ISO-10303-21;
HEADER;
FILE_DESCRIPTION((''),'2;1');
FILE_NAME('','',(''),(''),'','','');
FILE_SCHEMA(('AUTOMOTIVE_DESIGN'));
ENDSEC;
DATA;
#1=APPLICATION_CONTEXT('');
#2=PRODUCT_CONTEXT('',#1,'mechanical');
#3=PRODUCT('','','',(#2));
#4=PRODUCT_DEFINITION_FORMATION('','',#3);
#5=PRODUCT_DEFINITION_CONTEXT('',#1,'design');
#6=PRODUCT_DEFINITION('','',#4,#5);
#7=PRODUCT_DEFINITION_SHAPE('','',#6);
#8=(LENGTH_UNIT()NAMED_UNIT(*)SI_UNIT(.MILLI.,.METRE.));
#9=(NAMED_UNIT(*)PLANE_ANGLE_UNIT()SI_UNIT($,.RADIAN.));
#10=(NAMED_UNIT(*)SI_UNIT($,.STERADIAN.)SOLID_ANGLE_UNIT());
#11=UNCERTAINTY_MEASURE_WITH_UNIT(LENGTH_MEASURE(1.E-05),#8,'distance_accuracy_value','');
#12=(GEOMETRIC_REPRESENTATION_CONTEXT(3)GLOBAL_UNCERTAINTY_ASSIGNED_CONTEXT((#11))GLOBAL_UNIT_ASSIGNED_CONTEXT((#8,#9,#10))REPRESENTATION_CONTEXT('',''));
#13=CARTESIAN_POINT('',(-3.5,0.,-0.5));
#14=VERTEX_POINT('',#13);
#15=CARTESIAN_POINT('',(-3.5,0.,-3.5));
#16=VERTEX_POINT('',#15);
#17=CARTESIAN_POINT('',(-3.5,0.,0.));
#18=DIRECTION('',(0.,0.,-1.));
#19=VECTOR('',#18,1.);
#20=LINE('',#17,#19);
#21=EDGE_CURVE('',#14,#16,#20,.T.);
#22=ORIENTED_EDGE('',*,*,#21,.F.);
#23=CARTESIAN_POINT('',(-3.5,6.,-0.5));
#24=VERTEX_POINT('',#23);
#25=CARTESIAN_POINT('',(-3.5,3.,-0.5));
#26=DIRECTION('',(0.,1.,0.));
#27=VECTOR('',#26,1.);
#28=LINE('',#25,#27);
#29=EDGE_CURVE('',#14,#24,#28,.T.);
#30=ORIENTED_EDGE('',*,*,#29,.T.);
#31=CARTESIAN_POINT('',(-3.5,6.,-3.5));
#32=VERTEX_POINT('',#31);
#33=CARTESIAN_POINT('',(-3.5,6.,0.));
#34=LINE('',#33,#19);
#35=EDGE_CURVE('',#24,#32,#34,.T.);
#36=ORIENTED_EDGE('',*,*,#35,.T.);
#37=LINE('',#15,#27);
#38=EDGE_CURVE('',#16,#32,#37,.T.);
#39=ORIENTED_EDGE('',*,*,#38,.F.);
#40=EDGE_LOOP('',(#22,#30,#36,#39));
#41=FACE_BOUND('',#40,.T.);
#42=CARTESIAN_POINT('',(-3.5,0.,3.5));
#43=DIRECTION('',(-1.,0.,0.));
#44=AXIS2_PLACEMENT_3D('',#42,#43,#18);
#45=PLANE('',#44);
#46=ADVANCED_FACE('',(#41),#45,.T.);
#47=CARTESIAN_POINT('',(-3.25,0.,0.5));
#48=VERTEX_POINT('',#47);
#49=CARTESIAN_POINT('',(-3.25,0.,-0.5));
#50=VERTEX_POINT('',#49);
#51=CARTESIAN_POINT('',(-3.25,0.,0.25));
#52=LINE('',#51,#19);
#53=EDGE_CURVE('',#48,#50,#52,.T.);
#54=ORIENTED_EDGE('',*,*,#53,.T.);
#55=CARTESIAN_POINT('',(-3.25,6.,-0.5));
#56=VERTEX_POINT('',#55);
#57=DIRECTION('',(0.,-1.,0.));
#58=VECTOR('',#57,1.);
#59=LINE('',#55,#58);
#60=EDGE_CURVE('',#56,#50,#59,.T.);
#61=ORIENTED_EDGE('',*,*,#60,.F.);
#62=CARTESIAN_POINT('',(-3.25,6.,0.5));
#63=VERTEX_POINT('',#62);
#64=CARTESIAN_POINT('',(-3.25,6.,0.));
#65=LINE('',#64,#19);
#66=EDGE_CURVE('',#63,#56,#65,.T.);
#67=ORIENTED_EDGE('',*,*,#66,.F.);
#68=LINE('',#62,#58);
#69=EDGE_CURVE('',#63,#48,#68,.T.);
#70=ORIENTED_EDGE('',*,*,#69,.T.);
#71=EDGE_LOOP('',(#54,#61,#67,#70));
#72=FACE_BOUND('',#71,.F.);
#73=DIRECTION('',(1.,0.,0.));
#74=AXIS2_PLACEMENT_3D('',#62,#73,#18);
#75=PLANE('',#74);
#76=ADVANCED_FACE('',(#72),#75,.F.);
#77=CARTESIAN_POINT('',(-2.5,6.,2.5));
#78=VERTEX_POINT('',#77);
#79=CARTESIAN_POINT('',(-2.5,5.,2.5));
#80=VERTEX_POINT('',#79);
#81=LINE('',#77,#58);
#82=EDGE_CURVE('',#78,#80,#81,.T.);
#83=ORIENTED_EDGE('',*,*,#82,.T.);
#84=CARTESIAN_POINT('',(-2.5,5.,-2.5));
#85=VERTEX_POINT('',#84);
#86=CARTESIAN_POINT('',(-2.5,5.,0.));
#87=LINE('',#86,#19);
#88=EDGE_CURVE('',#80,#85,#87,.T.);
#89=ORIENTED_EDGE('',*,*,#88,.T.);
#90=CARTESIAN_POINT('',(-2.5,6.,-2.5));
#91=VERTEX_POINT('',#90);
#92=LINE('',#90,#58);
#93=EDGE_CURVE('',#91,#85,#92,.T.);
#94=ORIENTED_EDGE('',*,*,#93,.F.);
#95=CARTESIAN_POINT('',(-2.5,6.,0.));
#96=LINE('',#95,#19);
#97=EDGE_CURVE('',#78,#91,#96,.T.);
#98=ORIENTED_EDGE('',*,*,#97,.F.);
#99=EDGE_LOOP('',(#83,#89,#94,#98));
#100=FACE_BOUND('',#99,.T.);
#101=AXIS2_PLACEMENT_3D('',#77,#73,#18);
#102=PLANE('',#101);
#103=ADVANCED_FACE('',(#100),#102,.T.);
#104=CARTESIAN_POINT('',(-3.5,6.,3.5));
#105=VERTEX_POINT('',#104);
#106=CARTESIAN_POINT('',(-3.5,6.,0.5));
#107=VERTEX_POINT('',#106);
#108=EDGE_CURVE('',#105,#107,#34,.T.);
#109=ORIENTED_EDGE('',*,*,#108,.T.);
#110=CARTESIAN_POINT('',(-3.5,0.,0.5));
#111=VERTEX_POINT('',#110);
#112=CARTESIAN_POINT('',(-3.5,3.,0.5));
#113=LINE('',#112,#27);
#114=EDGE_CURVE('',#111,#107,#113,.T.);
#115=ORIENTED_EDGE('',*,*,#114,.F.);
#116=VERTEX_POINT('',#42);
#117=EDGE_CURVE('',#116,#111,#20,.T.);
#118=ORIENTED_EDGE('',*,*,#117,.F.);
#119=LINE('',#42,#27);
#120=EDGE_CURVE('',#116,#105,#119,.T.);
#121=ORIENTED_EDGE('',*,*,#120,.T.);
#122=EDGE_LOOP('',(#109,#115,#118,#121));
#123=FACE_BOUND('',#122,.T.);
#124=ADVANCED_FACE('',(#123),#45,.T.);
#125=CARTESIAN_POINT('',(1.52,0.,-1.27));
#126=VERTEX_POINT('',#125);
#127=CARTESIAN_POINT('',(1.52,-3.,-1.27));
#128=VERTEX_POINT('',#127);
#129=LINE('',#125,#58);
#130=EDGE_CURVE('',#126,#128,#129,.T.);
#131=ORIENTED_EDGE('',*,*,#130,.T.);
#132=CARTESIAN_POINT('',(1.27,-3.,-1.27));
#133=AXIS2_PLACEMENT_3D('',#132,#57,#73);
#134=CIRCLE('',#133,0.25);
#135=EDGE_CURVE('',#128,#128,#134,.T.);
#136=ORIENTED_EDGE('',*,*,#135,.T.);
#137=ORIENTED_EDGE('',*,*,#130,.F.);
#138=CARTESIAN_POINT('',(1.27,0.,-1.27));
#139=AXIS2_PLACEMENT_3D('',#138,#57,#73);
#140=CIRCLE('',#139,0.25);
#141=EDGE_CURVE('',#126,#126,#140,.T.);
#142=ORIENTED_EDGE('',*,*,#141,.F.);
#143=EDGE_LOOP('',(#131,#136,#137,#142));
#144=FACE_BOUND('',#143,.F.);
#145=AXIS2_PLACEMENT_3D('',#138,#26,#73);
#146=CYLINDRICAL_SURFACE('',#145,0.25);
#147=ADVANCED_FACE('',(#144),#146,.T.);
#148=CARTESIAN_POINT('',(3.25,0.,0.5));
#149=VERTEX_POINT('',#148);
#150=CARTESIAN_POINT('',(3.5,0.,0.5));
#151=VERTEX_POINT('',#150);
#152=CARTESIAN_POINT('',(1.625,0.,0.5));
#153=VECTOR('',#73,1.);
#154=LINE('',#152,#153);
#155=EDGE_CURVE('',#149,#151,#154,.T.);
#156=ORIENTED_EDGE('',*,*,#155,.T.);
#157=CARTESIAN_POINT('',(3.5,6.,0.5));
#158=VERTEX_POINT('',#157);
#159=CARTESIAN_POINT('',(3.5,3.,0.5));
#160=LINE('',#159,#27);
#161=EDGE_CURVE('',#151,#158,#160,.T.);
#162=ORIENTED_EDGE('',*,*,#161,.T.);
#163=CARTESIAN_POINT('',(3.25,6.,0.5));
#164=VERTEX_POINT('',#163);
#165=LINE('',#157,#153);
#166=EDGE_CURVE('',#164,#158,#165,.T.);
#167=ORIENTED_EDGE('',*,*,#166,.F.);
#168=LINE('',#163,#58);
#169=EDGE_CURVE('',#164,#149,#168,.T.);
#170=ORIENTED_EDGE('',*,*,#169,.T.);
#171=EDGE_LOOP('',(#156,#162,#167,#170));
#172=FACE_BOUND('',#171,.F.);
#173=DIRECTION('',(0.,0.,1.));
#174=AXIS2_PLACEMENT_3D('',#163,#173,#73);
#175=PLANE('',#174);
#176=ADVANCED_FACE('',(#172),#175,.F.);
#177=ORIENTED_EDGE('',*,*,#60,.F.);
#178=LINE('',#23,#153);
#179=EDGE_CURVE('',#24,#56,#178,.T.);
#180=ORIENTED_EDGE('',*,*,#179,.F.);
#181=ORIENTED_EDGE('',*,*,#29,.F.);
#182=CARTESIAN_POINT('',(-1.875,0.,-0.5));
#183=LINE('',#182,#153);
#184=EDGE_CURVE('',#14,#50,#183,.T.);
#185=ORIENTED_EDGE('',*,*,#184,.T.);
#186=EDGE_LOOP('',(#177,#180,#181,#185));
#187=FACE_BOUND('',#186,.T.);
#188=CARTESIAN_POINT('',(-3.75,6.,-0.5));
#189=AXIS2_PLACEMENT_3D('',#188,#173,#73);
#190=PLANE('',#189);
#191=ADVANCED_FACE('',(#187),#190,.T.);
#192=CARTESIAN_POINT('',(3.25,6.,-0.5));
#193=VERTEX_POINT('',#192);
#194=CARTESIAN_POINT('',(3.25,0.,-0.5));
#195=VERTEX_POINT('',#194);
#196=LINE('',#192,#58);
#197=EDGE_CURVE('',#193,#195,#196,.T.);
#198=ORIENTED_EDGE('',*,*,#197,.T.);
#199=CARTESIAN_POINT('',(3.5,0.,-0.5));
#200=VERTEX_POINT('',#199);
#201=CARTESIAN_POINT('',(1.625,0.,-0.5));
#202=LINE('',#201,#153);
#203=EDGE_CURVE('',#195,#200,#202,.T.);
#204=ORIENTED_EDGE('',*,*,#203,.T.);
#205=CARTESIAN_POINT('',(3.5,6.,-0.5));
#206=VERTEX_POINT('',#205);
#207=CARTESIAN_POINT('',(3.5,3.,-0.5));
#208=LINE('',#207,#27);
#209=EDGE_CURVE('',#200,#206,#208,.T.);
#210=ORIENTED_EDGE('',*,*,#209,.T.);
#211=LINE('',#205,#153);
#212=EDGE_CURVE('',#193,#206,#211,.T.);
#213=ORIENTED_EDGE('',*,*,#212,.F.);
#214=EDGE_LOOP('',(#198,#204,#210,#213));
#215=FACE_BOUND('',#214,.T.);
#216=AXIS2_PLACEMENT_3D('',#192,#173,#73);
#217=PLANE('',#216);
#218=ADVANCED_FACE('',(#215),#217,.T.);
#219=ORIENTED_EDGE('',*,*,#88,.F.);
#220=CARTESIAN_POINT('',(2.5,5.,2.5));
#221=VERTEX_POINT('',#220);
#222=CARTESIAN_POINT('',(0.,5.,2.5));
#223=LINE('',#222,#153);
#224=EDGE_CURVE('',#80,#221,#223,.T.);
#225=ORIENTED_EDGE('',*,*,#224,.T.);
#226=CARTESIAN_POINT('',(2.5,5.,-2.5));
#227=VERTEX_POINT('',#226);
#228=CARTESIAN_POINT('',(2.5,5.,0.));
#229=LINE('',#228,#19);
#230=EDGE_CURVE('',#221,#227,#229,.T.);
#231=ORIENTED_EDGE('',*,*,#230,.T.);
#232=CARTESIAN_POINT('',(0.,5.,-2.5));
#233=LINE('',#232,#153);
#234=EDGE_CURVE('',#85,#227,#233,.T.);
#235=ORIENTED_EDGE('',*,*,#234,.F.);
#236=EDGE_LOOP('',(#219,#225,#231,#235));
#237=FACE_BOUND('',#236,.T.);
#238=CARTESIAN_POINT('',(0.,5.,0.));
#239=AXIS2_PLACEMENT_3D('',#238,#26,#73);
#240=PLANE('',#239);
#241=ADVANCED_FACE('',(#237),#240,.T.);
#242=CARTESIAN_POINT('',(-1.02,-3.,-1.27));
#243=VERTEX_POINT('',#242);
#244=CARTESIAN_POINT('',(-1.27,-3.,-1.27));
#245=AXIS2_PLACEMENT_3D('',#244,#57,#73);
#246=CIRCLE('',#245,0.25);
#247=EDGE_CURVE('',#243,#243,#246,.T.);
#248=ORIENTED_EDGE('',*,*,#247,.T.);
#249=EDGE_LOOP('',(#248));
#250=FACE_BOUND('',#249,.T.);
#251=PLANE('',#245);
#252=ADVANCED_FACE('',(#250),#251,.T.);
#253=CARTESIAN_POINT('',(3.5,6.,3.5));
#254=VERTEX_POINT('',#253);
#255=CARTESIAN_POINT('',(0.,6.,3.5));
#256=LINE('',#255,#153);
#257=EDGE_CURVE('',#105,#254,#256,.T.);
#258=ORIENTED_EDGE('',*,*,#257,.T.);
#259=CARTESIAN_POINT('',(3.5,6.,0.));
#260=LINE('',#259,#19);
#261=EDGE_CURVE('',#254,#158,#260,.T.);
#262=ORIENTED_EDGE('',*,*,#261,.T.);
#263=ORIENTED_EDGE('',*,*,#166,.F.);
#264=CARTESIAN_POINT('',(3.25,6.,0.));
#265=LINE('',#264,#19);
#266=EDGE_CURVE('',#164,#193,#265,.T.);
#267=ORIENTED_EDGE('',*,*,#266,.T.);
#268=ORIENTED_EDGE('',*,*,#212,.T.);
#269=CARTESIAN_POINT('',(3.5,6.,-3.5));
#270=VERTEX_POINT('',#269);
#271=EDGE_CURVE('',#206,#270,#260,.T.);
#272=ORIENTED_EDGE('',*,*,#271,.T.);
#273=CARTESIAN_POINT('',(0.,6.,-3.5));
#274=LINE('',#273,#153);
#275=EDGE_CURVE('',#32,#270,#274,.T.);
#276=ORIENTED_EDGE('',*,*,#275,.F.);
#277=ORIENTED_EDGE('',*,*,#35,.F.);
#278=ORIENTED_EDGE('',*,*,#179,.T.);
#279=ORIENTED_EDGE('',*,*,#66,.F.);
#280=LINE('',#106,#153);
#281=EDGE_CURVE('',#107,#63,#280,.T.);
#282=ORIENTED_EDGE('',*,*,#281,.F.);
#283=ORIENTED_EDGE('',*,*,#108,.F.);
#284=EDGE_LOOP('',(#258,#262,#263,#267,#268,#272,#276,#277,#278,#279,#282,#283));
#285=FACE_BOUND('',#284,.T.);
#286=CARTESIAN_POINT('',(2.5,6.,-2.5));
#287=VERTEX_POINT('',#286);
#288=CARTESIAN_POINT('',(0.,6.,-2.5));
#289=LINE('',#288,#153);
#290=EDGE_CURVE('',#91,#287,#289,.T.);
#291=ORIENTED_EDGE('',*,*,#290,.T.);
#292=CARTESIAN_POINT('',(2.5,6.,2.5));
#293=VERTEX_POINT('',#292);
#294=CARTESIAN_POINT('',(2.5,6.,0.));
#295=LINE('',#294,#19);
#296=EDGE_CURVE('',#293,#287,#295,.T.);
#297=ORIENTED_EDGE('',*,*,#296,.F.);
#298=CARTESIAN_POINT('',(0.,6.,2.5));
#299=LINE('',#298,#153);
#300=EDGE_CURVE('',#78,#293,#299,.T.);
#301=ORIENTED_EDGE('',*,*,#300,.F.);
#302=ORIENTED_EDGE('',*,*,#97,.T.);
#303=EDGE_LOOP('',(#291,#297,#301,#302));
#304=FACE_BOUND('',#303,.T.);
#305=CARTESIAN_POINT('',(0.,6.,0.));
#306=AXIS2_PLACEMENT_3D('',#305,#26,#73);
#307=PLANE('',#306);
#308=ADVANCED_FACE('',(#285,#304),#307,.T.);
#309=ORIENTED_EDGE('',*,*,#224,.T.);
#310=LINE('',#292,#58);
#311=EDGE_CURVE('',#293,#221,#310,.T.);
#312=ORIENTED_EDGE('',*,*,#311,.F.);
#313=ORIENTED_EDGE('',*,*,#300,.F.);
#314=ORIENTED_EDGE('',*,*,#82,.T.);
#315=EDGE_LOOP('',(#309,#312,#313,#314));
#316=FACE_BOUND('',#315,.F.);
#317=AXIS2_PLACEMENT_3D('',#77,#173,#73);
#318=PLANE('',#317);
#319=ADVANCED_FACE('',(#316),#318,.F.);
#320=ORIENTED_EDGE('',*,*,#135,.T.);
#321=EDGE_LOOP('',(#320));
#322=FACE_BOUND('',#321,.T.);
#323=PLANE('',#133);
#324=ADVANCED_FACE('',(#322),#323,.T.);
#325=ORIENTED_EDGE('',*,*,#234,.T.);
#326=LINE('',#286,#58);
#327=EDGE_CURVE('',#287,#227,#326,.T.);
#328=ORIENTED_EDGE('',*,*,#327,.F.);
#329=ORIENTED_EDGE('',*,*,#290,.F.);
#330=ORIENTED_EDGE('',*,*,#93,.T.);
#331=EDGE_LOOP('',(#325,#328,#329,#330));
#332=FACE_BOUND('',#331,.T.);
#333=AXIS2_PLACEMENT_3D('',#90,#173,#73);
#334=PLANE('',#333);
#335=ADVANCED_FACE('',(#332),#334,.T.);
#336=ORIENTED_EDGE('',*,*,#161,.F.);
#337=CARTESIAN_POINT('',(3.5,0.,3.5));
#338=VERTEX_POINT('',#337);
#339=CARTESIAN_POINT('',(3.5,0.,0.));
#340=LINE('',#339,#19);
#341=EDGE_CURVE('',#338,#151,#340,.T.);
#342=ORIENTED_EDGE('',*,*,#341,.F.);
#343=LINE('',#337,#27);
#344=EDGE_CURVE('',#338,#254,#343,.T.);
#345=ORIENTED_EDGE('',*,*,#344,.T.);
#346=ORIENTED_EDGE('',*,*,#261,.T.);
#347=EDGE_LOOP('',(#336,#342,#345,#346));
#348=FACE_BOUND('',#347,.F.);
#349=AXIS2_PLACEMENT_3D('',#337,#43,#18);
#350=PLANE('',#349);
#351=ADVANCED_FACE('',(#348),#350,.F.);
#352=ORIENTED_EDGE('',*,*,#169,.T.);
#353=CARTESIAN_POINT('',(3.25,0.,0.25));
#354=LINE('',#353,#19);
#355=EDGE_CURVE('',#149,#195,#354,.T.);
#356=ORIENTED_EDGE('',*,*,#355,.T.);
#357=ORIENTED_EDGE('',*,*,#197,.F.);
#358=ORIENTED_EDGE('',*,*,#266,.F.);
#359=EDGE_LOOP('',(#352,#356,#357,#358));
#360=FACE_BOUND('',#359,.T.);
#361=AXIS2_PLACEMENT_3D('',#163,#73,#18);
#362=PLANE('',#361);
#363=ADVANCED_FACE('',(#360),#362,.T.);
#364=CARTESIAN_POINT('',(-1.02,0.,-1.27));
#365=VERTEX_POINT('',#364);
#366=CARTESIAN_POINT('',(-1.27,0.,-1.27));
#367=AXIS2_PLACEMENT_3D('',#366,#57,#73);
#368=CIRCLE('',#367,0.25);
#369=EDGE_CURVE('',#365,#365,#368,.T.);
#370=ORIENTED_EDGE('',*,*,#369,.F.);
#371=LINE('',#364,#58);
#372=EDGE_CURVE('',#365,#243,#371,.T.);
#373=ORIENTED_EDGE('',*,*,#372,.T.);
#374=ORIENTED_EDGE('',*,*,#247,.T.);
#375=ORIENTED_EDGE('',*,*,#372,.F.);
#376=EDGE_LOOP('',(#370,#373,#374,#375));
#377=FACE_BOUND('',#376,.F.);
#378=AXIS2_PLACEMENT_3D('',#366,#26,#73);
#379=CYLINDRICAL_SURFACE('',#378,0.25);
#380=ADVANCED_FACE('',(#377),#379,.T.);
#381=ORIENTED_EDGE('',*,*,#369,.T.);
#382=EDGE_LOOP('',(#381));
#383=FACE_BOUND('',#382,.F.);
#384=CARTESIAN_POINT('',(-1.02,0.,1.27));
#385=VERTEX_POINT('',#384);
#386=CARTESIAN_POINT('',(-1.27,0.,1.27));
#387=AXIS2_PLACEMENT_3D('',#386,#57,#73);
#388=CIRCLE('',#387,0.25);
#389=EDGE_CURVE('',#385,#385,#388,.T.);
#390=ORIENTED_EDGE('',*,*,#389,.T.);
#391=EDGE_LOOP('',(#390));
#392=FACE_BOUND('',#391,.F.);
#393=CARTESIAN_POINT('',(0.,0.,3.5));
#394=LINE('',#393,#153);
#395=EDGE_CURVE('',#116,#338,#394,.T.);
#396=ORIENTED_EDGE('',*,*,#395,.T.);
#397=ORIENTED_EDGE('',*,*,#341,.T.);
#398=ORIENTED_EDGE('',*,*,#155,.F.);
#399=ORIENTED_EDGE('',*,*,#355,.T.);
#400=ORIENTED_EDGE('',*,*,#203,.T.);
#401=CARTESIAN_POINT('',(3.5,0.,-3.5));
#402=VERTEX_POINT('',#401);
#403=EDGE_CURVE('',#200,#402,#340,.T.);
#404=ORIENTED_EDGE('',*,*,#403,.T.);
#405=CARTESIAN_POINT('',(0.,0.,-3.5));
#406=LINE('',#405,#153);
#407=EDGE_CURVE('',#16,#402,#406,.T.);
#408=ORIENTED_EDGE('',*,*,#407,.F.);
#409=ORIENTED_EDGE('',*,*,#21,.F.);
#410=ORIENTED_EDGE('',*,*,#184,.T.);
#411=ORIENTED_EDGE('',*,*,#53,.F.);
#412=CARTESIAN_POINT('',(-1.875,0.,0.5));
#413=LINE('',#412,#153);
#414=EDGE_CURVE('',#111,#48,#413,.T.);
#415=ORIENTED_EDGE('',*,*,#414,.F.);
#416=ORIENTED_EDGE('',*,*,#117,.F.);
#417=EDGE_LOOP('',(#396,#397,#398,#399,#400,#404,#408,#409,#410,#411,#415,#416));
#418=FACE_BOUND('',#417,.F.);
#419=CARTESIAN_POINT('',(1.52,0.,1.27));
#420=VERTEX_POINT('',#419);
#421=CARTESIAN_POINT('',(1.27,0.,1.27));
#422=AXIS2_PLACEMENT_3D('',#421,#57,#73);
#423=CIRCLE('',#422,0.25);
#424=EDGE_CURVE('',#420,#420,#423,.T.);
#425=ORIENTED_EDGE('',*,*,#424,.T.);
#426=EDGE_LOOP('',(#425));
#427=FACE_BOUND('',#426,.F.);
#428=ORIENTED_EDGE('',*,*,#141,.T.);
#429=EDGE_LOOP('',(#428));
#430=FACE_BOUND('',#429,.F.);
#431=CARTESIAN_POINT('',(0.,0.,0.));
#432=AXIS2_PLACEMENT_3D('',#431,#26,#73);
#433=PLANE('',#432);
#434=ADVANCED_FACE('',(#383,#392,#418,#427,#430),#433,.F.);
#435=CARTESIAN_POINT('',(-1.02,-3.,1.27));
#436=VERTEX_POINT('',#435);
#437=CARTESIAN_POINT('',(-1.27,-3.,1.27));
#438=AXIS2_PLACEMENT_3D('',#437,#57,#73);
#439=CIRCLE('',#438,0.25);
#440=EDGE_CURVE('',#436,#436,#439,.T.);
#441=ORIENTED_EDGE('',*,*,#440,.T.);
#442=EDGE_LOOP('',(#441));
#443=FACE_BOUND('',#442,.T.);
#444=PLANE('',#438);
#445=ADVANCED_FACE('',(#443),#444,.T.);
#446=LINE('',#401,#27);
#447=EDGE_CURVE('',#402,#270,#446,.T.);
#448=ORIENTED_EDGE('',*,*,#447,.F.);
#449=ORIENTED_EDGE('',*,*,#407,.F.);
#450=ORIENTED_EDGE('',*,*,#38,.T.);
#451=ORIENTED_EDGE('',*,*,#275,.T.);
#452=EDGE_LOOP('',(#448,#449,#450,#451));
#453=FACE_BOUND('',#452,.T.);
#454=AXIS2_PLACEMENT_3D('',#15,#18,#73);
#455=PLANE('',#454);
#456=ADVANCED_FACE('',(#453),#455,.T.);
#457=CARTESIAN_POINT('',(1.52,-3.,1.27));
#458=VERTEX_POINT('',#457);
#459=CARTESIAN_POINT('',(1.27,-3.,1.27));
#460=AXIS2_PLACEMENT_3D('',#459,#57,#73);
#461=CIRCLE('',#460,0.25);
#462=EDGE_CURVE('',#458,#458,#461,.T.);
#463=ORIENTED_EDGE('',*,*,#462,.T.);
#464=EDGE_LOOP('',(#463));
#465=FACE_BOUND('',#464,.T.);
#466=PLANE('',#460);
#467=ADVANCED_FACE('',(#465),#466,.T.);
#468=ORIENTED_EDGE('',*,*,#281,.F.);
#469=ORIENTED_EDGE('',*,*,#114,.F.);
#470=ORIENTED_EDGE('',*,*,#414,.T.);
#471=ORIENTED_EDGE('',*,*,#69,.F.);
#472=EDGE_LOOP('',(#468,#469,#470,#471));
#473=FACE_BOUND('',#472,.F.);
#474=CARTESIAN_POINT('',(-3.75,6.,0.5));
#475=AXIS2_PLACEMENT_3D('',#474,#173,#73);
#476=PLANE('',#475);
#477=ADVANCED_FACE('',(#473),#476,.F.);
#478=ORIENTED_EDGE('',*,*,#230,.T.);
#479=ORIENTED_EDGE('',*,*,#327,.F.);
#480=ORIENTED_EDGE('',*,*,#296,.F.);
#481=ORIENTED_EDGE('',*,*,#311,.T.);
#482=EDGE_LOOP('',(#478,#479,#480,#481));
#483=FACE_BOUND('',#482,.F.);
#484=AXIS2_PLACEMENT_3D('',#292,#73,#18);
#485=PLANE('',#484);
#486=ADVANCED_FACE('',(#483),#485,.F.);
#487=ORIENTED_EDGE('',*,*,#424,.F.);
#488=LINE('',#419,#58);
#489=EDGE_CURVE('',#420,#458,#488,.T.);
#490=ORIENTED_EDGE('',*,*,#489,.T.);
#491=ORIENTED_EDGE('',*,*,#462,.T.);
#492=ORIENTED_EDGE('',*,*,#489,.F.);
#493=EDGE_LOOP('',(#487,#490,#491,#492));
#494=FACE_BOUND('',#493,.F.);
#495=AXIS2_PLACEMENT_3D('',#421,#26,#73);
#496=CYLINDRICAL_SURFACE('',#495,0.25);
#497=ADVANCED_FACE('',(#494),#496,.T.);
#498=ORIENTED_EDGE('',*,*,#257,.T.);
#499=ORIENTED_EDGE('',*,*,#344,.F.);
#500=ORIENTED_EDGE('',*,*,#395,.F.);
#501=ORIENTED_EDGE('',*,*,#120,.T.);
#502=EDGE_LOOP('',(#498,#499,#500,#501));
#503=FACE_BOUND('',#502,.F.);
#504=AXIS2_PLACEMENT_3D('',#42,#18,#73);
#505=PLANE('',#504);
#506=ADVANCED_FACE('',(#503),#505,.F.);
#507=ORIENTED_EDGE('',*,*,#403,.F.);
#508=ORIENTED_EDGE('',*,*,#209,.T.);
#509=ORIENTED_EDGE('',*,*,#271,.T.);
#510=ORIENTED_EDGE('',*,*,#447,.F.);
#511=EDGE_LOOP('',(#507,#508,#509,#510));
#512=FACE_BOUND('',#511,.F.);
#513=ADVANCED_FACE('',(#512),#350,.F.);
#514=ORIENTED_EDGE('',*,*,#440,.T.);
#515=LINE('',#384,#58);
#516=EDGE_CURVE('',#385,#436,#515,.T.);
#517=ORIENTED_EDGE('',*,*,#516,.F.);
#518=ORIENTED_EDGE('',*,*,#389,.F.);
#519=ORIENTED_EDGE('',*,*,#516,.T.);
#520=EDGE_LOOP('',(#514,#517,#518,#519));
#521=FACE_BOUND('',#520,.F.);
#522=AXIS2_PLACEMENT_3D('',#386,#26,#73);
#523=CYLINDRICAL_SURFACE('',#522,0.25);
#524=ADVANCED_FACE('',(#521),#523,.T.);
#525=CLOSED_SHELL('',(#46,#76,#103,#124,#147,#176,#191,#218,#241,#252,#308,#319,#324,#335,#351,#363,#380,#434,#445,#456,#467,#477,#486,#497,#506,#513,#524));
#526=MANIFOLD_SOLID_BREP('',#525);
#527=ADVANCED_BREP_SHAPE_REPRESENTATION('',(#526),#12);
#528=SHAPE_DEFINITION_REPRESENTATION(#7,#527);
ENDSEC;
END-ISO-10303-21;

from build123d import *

# Parameters (mm, degrees)
CROQUIS1_W              = 7
CROQUIS1_H              = 7
SALIENTE_EXTRUIR1_DEPTH = 6
CROQUIS2_R              = 0.25
SALIENTE_EXTRUIR2_DEPTH = 3
CROQUIS3_W              = 5
CROQUIS3_H              = 5
CORTAR_EXTRUIR1_DEPTH   = 1
CROQUIS4_W              = 0.5
CROQUIS4_H              = 1
CORTAR_EXTRUIR2_DEPTH   = 10


with BuildPart() as part:
    # Croquis1 → Saliente-Extruir1 (new body)
    with BuildSketch(Plane(origin=(0, 0, 0), x_dir=(1, 0, 0), z_dir=(0, 1, 0))):
        Rectangle(CROQUIS1_W, CROQUIS1_H)
    extrude(amount=SALIENTE_EXTRUIR1_DEPTH)

    # Croquis2 → Saliente-Extruir2 (add)
    with BuildSketch(Plane.XZ):
        with Locations((-1.27, 1.27)):
            Circle(CROQUIS2_R)
        with Locations((1.27, 1.27)):
            Circle(CROQUIS2_R)
        with Locations((1.27, -1.27)):
            Circle(CROQUIS2_R)
        with Locations((-1.27, -1.27)):
            Circle(CROQUIS2_R)
    extrude(amount=SALIENTE_EXTRUIR2_DEPTH)

    # Croquis3 → Cortar-Extruir1 (cut)
    with BuildSketch(Plane(origin=(0, 6, 0), x_dir=(1, 0, 0), z_dir=(0, 1, 0))):
        Rectangle(CROQUIS3_W, CROQUIS3_H)
    extrude(amount=-CORTAR_EXTRUIR1_DEPTH, mode=Mode.SUBTRACT)

    # Croquis4 → Cortar-Extruir2 (cut, through all)
    with BuildSketch(Plane(origin=(0, 6, 0), x_dir=(1, 0, 0), z_dir=(0, 1, 0))):
        with Locations((3.5, 0)):
            Rectangle(CROQUIS4_W, CROQUIS4_H)
        with Locations((-3.5, 0)):
            Rectangle(CROQUIS4_W, CROQUIS4_H)
    extrude(amount=-CORTAR_EXTRUIR2_DEPTH, mode=Mode.SUBTRACT)


solid = part.part
